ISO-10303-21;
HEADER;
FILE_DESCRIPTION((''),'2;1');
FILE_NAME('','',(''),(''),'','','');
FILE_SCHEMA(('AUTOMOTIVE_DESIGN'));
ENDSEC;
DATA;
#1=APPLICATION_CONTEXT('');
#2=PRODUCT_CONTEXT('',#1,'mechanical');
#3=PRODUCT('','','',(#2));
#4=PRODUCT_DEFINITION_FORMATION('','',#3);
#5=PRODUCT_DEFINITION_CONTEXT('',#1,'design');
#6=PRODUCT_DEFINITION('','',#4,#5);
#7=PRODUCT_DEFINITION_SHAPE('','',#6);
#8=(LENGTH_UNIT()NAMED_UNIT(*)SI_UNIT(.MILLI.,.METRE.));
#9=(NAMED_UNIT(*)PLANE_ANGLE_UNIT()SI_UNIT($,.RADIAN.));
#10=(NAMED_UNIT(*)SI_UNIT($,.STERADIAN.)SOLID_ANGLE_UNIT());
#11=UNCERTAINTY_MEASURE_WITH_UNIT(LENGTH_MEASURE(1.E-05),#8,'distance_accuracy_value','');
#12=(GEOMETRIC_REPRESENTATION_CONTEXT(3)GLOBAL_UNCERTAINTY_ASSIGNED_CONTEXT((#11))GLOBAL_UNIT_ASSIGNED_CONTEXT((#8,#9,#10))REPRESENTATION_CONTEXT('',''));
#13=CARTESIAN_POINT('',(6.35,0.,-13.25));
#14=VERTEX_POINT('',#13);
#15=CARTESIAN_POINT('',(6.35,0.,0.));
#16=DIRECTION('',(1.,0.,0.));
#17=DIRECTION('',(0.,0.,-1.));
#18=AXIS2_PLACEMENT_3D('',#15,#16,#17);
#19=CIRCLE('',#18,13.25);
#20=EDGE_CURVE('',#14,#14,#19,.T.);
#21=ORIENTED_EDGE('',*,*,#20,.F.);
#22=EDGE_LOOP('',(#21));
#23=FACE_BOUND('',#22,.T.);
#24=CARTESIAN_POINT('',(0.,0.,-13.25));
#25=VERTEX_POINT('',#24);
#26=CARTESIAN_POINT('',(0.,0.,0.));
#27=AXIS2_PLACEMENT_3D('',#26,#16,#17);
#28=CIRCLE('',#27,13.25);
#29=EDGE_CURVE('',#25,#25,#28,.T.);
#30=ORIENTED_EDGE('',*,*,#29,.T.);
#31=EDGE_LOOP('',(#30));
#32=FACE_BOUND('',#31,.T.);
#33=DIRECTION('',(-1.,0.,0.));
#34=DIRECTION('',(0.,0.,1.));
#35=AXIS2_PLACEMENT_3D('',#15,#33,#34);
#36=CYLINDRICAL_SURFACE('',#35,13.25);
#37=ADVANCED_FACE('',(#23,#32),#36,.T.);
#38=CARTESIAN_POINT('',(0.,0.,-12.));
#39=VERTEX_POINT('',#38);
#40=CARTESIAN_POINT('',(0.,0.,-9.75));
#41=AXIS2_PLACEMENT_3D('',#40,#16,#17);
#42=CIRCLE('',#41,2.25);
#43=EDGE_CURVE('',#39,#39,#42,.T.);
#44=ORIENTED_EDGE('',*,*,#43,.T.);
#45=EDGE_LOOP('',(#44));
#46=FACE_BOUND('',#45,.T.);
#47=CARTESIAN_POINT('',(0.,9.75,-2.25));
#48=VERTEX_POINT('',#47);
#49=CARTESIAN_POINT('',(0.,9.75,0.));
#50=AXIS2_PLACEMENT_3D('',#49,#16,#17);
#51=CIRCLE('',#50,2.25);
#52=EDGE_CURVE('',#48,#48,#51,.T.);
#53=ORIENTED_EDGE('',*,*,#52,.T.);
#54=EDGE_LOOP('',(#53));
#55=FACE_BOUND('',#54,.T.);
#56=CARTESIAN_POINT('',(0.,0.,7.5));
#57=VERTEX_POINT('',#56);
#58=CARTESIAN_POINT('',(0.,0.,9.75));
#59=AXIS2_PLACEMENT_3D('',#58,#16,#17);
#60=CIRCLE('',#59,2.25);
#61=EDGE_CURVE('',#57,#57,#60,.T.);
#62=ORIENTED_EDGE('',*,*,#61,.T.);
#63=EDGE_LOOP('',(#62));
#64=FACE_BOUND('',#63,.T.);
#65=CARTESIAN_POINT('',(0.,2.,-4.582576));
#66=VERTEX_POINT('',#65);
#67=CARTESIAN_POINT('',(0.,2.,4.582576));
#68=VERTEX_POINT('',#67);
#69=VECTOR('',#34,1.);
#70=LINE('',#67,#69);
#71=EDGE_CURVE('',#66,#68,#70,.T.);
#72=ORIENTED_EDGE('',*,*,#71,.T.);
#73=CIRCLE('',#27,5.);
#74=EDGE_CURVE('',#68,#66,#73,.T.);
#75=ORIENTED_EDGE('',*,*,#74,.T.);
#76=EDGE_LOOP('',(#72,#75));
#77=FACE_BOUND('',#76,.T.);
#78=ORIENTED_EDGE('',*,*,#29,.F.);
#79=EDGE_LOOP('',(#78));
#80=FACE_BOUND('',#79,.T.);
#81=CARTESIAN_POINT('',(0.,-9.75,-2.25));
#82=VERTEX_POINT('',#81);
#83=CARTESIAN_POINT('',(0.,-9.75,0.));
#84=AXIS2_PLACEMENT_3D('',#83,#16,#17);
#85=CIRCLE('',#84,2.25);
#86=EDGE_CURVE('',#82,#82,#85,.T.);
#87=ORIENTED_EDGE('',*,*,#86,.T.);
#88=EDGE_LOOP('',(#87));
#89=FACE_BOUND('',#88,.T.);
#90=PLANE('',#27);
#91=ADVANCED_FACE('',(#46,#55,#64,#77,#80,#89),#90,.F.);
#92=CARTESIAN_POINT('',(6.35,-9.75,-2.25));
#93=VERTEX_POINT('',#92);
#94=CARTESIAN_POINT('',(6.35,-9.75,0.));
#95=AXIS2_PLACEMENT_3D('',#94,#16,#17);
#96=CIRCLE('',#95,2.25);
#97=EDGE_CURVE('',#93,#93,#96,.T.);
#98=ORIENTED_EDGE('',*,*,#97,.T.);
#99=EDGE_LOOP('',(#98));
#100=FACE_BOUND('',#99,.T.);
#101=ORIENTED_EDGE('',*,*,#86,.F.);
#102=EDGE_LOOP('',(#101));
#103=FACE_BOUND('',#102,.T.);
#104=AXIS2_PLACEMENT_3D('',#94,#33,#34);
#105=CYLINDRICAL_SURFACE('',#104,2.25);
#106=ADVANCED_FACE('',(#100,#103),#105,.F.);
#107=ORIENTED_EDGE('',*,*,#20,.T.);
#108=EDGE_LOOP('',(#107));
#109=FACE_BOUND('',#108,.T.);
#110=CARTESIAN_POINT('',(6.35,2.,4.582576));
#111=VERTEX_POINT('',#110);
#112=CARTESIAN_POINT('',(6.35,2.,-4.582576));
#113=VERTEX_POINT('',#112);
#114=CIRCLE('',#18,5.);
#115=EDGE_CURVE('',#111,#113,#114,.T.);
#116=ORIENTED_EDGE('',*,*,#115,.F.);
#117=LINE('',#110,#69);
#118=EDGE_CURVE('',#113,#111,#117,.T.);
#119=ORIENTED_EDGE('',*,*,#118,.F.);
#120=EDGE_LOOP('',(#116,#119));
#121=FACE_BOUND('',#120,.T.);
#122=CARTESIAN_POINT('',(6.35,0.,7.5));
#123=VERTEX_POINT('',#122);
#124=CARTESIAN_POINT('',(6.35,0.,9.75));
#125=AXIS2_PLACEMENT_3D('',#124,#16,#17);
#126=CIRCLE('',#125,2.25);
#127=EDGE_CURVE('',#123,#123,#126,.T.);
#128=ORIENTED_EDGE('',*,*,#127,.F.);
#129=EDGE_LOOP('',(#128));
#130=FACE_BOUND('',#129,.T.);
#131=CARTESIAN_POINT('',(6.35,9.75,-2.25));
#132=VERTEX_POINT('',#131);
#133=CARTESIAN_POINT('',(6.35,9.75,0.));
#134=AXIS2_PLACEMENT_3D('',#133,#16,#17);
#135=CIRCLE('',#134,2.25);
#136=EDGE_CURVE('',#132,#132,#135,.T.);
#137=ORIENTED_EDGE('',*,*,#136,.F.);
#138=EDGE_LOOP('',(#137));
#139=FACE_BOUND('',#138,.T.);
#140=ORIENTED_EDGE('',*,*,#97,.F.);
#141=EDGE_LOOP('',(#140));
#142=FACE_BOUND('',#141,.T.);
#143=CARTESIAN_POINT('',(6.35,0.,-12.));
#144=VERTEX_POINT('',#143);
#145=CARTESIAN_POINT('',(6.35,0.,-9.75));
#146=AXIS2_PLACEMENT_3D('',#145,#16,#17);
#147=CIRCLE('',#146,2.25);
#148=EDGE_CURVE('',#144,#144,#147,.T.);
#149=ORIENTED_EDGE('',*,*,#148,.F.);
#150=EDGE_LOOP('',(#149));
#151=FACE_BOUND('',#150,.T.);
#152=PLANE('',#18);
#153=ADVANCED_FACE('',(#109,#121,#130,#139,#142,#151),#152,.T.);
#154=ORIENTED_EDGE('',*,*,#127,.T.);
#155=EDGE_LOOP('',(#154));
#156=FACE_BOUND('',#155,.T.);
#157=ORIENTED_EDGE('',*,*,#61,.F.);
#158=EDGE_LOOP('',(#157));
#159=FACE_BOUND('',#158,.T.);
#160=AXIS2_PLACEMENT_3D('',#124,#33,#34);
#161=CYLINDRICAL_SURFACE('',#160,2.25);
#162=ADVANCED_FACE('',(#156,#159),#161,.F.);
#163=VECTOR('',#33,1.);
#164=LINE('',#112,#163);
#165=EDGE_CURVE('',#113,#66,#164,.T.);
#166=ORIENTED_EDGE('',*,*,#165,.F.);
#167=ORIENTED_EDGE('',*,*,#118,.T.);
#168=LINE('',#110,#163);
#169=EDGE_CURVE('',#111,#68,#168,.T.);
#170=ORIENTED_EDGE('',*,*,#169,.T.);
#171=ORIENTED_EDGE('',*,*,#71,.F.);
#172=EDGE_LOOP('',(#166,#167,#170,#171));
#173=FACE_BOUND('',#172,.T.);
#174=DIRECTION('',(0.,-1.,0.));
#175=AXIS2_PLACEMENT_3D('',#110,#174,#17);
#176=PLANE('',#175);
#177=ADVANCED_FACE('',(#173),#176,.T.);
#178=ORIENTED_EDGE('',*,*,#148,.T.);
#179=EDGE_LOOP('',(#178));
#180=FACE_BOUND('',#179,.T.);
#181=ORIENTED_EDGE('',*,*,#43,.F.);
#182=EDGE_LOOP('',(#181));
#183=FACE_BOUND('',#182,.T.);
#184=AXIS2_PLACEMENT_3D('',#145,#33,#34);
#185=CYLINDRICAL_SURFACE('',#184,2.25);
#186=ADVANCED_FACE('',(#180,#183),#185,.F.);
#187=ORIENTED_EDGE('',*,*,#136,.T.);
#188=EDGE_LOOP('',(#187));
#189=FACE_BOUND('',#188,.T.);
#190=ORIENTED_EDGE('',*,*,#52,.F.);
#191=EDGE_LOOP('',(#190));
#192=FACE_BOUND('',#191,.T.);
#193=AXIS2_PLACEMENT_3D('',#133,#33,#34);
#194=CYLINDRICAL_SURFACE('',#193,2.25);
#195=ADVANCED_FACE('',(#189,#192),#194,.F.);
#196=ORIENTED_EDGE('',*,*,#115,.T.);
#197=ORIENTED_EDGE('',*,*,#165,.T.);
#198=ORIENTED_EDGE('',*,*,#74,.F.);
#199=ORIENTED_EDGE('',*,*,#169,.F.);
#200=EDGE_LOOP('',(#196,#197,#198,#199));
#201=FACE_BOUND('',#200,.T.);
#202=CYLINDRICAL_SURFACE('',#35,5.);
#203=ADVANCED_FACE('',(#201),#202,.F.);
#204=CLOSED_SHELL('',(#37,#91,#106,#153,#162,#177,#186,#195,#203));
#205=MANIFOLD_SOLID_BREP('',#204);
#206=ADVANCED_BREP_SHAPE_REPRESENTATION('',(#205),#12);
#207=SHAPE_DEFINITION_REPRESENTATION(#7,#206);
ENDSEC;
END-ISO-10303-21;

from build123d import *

# Parameters (mm, degrees)
SKETCH1_R           = 13.25
SKETCH1_R_2         = 2.25
BOSS_EXTRUDE1_DEPTH = 6.35


with BuildPart() as part:
    # Sketch1 → Boss-Extrude1 (new body)
    with BuildSketch(Plane(origin=(0, 0, 0), x_dir=(0, 0, -1), z_dir=(1, 0, 0))):
        Circle(SKETCH1_R)
        with Locations((-9.75, 0)):
            Circle(SKETCH1_R_2, mode=Mode.SUBTRACT)
        with Locations((0, 9.75)):
            Circle(SKETCH1_R_2, mode=Mode.SUBTRACT)
        with Locations((9.75, 0)):
            Circle(SKETCH1_R_2, mode=Mode.SUBTRACT)
        with Locations((0, -9.75)):
            Circle(SKETCH1_R_2, mode=Mode.SUBTRACT)
        with BuildLine():
            Line((-4.582575695, 2), (4.582575695, 2))
            ThreePointArc((4.582575695, 2), (0, -5), (-4.582575695, 2))
        make_face(mode=Mode.SUBTRACT)
    extrude(amount=BOSS_EXTRUDE1_DEPTH)


solid = part.part
